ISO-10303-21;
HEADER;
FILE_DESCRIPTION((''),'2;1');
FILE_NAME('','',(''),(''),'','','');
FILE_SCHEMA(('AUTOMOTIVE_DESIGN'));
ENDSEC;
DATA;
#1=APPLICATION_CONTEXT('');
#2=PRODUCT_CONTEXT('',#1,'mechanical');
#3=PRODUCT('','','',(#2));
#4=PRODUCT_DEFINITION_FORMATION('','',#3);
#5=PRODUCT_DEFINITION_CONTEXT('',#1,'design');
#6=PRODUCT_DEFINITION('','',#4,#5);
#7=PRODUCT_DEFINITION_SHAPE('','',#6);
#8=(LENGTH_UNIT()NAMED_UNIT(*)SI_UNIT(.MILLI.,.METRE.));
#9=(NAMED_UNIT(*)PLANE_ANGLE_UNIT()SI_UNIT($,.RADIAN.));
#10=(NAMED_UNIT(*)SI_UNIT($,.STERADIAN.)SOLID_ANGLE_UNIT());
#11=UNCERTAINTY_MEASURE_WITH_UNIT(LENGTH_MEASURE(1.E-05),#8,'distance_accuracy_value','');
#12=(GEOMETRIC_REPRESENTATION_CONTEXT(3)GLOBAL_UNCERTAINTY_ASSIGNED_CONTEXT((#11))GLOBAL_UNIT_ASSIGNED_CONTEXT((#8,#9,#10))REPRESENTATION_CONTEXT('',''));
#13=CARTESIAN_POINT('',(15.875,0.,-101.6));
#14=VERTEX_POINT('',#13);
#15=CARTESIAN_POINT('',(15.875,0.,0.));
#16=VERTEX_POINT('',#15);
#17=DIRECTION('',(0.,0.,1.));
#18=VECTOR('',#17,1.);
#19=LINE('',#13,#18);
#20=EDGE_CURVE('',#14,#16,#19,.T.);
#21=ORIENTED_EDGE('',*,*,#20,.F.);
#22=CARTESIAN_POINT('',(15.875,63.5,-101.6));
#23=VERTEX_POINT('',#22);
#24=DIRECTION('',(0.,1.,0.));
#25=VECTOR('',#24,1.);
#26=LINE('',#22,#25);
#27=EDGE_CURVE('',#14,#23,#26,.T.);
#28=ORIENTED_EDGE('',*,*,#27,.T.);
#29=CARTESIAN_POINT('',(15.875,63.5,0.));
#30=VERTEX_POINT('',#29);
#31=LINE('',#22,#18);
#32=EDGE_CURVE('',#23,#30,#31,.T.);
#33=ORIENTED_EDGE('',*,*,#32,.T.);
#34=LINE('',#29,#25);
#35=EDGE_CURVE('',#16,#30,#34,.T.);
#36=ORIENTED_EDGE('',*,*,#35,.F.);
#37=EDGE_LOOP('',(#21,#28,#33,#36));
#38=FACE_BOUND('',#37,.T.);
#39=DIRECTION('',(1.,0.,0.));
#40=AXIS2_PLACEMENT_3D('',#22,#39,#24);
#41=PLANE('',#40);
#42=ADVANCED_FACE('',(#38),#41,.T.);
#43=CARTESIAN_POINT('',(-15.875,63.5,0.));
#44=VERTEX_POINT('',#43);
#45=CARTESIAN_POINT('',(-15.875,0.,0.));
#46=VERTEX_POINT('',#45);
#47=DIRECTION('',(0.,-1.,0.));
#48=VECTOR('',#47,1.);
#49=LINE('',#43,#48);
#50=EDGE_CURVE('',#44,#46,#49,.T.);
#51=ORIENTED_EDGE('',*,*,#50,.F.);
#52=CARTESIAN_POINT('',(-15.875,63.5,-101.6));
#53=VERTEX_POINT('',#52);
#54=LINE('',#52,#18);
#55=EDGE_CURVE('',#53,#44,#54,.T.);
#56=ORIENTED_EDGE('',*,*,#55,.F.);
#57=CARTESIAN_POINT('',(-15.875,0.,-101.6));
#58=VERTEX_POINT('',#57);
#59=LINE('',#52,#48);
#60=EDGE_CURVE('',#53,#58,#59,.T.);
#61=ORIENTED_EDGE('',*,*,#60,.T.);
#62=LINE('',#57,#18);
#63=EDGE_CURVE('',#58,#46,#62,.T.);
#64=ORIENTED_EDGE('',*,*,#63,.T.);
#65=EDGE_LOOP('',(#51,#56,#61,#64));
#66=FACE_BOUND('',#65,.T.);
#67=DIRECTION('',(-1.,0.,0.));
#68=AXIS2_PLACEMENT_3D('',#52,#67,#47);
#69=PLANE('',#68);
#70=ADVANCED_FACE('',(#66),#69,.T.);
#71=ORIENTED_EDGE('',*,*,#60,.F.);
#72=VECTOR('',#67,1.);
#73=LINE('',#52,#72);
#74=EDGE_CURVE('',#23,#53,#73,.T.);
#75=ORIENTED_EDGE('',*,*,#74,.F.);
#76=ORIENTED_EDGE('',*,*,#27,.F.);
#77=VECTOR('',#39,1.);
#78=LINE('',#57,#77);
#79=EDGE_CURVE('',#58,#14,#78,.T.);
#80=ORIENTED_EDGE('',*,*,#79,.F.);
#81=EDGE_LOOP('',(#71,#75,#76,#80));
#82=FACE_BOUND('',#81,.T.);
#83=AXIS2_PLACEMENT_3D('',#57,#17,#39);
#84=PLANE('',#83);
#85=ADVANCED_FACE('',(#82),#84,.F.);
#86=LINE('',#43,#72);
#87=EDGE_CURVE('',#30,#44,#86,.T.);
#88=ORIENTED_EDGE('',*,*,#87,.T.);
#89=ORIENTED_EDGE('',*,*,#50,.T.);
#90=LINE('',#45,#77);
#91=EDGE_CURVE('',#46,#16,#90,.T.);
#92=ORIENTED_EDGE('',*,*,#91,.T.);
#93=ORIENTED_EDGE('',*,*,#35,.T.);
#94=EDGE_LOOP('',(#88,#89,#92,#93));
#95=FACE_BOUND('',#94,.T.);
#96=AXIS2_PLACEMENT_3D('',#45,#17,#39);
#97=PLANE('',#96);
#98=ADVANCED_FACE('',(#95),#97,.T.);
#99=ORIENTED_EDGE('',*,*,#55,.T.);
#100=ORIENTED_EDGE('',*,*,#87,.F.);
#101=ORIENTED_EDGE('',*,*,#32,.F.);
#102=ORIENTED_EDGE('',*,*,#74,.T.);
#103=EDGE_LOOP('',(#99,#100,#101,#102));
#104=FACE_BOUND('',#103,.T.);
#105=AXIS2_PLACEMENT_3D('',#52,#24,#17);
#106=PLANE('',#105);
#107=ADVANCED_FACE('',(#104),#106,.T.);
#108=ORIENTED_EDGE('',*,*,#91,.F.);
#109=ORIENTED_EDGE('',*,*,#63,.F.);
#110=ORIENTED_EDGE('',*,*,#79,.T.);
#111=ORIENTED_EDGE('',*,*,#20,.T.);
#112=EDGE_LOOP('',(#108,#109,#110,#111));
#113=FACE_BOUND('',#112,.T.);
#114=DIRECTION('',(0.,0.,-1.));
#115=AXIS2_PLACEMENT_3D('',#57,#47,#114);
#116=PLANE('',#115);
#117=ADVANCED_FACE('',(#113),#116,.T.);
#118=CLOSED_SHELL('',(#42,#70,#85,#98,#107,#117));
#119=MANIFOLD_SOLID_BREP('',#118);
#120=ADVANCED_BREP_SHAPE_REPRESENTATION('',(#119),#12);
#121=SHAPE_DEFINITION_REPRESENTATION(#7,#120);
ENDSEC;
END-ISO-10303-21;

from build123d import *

# Parameters (mm, degrees)
SKETCH1_W      = 31.75
SKETCH1_H      = 63.5
EXTRUDE1_DEPTH = 101.6


with BuildPart() as part:
    # Sketch1 → Extrude1 (new body)
    with BuildSketch(Plane.XY):
        with Locations((0, 31.75)):
            Rectangle(SKETCH1_W, SKETCH1_H)
    extrude(amount=-EXTRUDE1_DEPTH)


solid = part.part
